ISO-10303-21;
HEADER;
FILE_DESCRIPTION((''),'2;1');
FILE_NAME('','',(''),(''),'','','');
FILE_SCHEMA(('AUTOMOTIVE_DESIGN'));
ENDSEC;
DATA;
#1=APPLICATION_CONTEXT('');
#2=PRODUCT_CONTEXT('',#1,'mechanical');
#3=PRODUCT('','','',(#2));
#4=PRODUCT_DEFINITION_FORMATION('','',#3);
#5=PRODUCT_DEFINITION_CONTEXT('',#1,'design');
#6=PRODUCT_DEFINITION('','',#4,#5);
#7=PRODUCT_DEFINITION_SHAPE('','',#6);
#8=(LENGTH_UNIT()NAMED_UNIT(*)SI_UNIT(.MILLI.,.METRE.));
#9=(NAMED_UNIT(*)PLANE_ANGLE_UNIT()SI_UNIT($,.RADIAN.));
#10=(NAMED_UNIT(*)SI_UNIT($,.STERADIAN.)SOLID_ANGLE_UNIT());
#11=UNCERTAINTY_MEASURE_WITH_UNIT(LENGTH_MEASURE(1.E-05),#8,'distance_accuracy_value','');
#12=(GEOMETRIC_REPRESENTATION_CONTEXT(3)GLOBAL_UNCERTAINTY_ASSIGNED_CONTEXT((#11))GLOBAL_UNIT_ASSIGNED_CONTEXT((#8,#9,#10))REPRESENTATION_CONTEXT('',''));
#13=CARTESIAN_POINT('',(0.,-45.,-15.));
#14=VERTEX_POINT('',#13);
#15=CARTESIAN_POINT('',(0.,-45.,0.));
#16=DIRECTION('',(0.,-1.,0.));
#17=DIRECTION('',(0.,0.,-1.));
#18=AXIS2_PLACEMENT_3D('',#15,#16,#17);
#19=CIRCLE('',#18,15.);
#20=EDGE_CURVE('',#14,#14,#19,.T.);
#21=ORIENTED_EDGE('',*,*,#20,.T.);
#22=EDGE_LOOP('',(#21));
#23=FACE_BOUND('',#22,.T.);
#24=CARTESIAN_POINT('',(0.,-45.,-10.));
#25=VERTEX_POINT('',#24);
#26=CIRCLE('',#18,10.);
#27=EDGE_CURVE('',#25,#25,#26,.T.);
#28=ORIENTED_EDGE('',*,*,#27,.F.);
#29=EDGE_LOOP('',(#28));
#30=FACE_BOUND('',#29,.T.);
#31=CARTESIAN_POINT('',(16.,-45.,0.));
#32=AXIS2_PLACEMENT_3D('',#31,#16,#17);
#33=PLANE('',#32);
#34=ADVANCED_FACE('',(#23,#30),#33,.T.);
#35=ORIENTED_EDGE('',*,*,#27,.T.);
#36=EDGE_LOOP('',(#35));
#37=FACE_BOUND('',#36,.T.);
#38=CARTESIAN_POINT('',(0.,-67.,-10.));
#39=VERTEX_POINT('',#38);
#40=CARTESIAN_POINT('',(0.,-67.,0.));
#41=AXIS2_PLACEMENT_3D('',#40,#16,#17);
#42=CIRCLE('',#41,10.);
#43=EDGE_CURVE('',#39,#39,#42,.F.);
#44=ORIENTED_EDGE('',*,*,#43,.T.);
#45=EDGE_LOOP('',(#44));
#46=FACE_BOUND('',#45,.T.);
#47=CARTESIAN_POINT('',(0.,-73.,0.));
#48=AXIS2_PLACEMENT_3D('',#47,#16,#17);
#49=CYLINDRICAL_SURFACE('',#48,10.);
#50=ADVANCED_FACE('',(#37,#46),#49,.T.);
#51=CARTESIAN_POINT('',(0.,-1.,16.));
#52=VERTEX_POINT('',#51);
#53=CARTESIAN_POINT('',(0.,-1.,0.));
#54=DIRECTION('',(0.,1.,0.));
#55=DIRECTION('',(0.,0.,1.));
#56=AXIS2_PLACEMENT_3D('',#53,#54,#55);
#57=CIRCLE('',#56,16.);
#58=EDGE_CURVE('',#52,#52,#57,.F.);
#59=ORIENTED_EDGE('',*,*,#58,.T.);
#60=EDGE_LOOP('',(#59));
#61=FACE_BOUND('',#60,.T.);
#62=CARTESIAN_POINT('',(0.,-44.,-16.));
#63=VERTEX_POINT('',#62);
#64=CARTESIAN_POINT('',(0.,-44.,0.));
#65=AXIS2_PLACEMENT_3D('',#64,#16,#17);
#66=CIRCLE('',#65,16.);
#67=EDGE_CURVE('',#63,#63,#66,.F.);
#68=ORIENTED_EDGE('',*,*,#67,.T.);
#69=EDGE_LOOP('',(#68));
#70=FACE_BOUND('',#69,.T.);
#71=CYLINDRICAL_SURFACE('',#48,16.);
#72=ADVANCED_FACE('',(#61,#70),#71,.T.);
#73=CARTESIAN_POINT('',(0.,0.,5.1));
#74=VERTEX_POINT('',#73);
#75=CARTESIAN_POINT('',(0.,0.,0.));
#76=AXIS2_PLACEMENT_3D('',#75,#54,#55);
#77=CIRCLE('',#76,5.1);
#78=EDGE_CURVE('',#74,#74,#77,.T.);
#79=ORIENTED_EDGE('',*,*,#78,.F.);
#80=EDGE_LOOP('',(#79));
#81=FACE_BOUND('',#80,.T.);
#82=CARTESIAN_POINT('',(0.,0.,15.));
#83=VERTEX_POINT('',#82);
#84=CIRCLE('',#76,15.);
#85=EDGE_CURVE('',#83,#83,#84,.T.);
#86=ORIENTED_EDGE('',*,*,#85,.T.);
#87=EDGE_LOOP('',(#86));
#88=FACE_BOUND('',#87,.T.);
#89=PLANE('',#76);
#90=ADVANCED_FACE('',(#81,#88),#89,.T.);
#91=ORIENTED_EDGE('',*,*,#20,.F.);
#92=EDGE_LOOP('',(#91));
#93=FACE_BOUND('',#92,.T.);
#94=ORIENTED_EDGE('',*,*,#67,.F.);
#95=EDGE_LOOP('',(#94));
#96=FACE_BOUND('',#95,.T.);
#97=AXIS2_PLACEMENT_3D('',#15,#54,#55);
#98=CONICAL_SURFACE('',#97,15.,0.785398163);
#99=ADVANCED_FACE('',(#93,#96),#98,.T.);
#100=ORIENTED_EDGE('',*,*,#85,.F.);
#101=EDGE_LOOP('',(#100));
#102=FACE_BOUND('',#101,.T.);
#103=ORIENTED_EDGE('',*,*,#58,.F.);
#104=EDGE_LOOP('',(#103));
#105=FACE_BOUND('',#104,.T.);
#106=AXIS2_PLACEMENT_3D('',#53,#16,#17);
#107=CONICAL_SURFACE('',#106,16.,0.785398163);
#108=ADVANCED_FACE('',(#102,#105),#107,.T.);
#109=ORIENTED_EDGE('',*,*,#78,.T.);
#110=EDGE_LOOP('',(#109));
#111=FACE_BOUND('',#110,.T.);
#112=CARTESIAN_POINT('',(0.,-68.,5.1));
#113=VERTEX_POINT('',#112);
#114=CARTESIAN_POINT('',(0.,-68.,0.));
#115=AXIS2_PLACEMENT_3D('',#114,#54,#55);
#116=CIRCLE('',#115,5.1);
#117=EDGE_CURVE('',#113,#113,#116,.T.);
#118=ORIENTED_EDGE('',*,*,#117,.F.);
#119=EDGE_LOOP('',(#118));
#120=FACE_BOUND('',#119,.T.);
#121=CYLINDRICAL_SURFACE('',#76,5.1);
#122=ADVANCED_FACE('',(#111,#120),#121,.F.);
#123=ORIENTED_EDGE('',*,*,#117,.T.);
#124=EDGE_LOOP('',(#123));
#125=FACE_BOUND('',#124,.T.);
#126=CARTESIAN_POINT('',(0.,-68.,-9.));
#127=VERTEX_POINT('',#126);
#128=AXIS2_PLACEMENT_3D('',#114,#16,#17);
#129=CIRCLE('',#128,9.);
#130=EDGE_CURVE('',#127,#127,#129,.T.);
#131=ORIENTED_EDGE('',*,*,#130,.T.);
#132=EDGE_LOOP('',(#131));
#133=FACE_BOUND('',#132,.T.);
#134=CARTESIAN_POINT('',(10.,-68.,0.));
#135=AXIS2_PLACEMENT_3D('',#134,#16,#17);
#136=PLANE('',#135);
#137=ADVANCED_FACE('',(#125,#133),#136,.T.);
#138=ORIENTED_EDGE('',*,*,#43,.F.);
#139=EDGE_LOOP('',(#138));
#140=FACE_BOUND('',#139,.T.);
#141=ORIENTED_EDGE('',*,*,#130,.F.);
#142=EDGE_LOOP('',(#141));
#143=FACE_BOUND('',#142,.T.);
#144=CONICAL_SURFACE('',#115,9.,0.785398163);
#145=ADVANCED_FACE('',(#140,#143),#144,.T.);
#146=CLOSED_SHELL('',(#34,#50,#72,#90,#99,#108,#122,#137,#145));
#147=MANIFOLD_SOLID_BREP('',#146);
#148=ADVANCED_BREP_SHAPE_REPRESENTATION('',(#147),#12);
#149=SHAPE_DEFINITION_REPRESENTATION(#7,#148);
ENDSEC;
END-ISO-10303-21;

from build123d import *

# Parameters (mm, degrees)
CHAMFER1_SIZE                = 1
F_10_2_10_2_DIAMETER_HOLE1_D = 10.2


with BuildPart() as part:
    # Sketch1 → Revolve1 (revolve)
    with BuildSketch(Plane.XY, mode=Mode.PRIVATE) as revolve1_sk:
        Polygon((0, 0), (16, 0), (16, -45), (10, -45), (10, -68), (0, -68), align=None)
    revolve(revolve1_sk.sketch.rotate(Axis((0, -73, 0), (0, 1, 0)), 90), axis=Axis((0, -73, 0), (0, 1, 0)))

    # Chamfer1
    chamfer1_edges = [part.edges().sort_by_distance(p)[0] for p in [
        (0, -68, 10),
        (0, -45, 16),
        (0, 0, 16),
    ]]
    chamfer(chamfer1_edges, length=CHAMFER1_SIZE)

    # Ø10.2 (10.2) Diameter Hole1 (through all)
    with Locations(Plane(origin=(0, 0, 0), x_dir=(1, 0, 0), z_dir=(0, 1, 0))):
        with Locations((0, 0)):
            Hole(F_10_2_10_2_DIAMETER_HOLE1_D / 2)


solid = part.part
